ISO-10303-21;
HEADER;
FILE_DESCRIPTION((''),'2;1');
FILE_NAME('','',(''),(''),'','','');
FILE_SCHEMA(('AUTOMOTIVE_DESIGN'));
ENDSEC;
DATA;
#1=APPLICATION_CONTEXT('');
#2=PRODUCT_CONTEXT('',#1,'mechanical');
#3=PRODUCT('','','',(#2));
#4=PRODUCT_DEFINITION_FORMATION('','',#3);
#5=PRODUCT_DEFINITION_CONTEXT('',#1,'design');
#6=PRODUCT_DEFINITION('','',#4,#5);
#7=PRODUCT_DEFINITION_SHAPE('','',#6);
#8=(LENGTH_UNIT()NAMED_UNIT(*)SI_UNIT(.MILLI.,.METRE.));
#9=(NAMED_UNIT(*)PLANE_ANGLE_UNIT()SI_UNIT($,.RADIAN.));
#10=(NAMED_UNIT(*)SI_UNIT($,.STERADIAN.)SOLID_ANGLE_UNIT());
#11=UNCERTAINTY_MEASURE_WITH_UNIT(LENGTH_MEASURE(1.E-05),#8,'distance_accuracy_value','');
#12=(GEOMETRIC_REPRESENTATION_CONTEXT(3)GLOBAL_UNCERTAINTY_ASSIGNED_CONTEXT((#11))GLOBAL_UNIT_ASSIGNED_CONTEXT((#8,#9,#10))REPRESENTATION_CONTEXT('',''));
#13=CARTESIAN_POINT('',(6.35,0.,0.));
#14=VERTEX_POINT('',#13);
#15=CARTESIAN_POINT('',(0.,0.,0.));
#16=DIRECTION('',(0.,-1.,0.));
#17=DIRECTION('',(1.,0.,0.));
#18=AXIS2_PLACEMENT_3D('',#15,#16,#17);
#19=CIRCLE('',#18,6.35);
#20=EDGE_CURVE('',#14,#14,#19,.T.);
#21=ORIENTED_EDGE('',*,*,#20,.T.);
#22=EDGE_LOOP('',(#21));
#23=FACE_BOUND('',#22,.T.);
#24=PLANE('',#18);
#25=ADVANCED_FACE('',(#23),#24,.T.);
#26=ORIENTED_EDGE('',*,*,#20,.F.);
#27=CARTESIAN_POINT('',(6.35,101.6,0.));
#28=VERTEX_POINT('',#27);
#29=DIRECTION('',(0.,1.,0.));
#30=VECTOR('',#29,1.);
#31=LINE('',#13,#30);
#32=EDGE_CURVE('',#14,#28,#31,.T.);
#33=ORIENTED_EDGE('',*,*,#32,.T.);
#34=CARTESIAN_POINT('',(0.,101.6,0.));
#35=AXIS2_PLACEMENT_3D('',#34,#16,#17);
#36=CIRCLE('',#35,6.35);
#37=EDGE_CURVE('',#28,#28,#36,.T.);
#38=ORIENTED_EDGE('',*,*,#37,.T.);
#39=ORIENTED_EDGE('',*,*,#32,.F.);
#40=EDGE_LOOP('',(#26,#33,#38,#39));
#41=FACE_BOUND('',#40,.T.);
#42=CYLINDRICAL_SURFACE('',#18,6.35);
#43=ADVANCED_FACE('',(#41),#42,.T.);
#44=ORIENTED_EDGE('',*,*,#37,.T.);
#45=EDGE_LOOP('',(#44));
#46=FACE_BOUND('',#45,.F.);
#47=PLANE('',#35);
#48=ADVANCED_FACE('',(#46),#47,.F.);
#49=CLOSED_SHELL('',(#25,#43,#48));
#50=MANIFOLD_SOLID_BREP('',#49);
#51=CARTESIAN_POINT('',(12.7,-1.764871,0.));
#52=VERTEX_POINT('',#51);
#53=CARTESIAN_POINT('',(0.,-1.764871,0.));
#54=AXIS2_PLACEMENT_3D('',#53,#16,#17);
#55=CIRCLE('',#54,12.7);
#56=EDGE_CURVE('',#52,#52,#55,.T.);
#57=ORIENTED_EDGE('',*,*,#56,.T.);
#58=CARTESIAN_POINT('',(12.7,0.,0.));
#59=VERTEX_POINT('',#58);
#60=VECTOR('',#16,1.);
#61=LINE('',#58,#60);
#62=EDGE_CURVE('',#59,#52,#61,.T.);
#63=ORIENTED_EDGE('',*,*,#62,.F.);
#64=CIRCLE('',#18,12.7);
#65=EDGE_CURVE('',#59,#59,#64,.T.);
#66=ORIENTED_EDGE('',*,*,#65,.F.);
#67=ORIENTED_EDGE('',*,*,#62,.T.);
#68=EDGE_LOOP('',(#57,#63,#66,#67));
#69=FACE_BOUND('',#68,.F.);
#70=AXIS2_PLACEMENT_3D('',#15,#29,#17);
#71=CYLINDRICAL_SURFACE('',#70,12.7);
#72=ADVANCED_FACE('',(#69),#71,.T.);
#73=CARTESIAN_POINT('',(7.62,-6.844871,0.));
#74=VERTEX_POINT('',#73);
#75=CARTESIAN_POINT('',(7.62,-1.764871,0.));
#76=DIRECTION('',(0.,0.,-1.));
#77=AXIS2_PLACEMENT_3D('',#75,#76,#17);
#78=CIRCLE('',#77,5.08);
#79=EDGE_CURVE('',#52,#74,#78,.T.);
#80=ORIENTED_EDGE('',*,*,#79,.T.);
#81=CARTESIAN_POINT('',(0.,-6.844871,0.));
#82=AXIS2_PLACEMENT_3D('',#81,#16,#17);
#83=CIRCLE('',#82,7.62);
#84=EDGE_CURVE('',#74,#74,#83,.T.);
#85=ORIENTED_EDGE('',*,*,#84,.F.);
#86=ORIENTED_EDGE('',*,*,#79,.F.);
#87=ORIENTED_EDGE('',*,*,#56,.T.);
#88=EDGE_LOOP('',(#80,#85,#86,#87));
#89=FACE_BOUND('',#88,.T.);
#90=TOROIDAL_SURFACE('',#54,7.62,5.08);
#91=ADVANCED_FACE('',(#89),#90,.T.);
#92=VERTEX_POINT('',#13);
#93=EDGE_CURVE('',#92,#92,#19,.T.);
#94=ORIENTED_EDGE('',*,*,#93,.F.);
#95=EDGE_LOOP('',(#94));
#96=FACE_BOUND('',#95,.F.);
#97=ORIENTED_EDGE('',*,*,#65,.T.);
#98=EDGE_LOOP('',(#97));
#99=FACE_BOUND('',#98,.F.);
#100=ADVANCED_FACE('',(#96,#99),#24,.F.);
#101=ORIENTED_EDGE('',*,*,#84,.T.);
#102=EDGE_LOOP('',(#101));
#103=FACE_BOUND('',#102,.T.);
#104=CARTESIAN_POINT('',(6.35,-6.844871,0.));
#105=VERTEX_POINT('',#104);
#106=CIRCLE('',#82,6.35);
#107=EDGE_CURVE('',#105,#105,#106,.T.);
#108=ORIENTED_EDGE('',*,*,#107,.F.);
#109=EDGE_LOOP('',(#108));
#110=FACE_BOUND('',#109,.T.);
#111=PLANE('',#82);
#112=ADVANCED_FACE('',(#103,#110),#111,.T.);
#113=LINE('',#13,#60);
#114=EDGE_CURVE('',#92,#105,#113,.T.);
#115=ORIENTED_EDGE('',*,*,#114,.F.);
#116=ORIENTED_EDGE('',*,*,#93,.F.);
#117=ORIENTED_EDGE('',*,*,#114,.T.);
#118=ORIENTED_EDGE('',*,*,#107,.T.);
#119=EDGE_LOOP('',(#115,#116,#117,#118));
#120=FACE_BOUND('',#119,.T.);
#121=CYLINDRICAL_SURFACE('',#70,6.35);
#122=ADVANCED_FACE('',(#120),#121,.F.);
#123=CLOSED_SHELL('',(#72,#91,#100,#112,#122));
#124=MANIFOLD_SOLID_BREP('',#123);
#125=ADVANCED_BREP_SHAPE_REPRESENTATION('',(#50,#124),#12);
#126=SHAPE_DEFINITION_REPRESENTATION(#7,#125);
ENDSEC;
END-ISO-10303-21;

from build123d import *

# Parameters (mm, degrees)
F0_R     = 12.7
F0_R_2   = 6.35
F1_DEPTH = 6.844871
F2_R     = 5.08
F3_DEPTH = 101.6


with BuildPart() as f1:
    # F0 (on Front) → F1 (new body)
    with BuildSketch(Plane.XZ):
        Circle(F0_R)
        Circle(F0_R_2, mode=Mode.SUBTRACT)
    extrude(amount=F1_DEPTH)

    # F2
    f2_edges = [f1.edges().sort_by_distance(p)[0] for p in [
        (-12.7, -6.844871, 0),
    ]]
    fillet(f2_edges, radius=F2_R)


with BuildPart() as f3:
    # F0 (on Front) → F3 (new body)
    with BuildSketch(Plane.XZ):
        Circle(F0_R_2)
    extrude(amount=-F3_DEPTH)


solid = Compound([f1.part, f3.part])
